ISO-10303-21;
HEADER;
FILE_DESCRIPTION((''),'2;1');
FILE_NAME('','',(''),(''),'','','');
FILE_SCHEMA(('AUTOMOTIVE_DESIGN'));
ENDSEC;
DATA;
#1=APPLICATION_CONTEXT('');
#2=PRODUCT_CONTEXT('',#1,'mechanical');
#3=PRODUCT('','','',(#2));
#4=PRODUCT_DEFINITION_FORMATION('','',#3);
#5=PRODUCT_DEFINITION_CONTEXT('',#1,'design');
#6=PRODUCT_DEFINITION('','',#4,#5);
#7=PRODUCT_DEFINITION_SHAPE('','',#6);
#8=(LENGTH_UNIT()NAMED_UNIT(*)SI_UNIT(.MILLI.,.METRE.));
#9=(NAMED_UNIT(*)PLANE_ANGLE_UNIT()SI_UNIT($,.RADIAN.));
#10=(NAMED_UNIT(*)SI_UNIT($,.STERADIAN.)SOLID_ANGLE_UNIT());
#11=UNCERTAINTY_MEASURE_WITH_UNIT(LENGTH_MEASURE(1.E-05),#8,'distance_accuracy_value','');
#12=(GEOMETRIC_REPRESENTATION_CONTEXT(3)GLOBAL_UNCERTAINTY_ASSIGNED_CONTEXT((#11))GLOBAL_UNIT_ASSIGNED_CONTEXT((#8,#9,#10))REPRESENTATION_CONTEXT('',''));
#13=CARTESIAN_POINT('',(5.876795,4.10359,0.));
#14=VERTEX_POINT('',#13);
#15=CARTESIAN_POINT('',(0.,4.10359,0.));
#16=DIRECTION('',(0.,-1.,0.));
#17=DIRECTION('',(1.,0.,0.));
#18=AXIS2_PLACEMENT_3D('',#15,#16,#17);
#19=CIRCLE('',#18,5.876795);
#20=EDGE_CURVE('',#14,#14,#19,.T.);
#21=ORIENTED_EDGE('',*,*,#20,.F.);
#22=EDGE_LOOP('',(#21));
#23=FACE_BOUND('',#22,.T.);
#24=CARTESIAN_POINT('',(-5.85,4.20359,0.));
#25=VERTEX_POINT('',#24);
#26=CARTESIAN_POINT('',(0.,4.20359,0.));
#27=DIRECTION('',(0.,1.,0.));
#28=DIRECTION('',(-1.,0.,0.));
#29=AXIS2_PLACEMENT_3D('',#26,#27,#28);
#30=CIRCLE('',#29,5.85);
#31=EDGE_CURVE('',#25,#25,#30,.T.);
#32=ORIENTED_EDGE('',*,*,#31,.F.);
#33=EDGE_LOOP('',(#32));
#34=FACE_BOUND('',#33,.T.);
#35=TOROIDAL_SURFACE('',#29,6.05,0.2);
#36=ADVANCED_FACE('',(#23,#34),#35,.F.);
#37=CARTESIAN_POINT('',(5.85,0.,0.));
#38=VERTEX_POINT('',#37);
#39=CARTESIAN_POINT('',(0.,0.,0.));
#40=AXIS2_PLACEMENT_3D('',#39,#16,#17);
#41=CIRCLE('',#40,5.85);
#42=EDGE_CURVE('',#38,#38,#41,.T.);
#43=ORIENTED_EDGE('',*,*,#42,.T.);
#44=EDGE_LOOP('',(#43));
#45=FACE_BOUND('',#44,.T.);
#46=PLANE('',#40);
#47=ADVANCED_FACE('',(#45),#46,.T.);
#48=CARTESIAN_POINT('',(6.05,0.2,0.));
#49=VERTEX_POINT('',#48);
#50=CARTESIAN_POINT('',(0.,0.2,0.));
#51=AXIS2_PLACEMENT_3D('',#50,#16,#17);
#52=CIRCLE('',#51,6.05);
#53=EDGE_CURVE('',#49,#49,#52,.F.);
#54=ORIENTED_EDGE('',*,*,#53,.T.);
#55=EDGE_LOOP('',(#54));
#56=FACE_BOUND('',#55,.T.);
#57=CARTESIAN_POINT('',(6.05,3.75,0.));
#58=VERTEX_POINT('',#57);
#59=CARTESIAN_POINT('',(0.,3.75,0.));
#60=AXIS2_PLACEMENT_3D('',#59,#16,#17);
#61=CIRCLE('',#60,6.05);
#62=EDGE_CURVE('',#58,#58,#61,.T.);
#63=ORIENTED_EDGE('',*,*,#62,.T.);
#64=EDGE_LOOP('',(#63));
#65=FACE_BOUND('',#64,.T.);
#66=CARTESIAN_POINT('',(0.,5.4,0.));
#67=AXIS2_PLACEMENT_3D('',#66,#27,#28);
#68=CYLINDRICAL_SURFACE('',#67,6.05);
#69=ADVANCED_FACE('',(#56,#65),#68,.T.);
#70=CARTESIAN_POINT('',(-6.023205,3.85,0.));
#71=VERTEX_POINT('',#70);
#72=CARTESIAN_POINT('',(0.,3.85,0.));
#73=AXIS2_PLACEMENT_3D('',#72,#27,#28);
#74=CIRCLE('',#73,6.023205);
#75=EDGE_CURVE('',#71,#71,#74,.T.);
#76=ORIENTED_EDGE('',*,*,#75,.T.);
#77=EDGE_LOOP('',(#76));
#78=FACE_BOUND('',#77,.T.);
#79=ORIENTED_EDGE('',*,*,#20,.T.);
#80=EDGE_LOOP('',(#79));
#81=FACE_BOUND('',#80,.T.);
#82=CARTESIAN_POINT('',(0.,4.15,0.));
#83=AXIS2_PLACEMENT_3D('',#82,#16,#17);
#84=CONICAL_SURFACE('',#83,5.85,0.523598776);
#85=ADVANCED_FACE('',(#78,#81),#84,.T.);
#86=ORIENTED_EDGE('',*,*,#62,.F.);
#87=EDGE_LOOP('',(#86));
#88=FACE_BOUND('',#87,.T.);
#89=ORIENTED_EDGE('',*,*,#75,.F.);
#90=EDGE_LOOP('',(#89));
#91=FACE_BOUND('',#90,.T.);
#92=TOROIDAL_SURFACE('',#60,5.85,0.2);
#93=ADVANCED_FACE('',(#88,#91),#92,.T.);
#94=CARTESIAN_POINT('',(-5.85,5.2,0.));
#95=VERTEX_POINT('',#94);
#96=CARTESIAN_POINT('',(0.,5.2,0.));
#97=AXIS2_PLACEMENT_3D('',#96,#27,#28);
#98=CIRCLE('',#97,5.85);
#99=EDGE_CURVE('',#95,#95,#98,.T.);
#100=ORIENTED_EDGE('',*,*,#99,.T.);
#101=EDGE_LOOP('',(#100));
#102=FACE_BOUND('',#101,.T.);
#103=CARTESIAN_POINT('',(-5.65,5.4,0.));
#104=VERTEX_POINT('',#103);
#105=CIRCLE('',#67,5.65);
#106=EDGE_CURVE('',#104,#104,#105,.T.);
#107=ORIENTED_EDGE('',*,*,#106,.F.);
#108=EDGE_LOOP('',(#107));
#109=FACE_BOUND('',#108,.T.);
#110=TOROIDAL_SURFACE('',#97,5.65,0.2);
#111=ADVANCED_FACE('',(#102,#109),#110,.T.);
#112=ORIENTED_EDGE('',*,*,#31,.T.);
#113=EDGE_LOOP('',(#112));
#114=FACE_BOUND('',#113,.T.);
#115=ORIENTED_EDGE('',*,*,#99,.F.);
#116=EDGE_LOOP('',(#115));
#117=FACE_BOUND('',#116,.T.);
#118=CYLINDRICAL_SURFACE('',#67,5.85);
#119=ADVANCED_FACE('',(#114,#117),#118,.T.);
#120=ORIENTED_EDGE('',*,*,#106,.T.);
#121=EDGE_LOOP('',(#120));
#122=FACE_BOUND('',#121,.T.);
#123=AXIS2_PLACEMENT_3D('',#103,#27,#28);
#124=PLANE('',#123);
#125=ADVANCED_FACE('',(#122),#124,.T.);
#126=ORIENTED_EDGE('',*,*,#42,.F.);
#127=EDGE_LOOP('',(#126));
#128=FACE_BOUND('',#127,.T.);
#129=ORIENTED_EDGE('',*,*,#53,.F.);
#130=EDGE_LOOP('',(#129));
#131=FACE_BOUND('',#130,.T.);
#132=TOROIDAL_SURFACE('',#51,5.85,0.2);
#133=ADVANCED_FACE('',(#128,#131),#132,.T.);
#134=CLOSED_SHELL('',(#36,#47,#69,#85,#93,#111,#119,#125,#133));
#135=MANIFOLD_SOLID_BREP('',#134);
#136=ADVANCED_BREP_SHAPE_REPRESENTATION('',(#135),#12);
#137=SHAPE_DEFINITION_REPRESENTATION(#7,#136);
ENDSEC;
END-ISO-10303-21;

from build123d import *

# Parameters (mm, degrees)
FILLET1_R = 0.2
FILLET2_R = 0.2


with BuildPart() as part:
    # Sketch1 → Revolve1 (revolve)
    with BuildSketch(Plane.XY):
        with BuildLine():
            Line((0, 0), (-6.05, 0))
            Line((-6.05, 0), (-6.05, 3.803589838))
            Line((-6.05, 3.803589838), (-5.85, 4.15))
            Line((-5.85, 4.15), (-5.85, 5.2))
            ThreePointArc((-5.85, 5.2), (-5.791421356, 5.341421356), (-5.65, 5.4))
            Line((-5.65, 5.4), (0, 5.4))
            Line((0, 5.4), (0, 0))
        make_face()
    revolve(axis=Axis((0, 5.4, 0), (0, -1, 0)))

    # Fillet1
    fillet1_edges = [part.edges().sort_by_distance(p)[0] for p in [
        (6.05, 0, 0),
    ]]
    fillet(fillet1_edges, radius=FILLET1_R)

    # Fillet2
    fillet2_edges = [part.edges().sort_by_distance(p)[0] for p in [
        (5.85, 4.15, 0),
        (6.05, 3.803589838, 0),
    ]]
    fillet(fillet2_edges, radius=FILLET2_R)


solid = part.part
